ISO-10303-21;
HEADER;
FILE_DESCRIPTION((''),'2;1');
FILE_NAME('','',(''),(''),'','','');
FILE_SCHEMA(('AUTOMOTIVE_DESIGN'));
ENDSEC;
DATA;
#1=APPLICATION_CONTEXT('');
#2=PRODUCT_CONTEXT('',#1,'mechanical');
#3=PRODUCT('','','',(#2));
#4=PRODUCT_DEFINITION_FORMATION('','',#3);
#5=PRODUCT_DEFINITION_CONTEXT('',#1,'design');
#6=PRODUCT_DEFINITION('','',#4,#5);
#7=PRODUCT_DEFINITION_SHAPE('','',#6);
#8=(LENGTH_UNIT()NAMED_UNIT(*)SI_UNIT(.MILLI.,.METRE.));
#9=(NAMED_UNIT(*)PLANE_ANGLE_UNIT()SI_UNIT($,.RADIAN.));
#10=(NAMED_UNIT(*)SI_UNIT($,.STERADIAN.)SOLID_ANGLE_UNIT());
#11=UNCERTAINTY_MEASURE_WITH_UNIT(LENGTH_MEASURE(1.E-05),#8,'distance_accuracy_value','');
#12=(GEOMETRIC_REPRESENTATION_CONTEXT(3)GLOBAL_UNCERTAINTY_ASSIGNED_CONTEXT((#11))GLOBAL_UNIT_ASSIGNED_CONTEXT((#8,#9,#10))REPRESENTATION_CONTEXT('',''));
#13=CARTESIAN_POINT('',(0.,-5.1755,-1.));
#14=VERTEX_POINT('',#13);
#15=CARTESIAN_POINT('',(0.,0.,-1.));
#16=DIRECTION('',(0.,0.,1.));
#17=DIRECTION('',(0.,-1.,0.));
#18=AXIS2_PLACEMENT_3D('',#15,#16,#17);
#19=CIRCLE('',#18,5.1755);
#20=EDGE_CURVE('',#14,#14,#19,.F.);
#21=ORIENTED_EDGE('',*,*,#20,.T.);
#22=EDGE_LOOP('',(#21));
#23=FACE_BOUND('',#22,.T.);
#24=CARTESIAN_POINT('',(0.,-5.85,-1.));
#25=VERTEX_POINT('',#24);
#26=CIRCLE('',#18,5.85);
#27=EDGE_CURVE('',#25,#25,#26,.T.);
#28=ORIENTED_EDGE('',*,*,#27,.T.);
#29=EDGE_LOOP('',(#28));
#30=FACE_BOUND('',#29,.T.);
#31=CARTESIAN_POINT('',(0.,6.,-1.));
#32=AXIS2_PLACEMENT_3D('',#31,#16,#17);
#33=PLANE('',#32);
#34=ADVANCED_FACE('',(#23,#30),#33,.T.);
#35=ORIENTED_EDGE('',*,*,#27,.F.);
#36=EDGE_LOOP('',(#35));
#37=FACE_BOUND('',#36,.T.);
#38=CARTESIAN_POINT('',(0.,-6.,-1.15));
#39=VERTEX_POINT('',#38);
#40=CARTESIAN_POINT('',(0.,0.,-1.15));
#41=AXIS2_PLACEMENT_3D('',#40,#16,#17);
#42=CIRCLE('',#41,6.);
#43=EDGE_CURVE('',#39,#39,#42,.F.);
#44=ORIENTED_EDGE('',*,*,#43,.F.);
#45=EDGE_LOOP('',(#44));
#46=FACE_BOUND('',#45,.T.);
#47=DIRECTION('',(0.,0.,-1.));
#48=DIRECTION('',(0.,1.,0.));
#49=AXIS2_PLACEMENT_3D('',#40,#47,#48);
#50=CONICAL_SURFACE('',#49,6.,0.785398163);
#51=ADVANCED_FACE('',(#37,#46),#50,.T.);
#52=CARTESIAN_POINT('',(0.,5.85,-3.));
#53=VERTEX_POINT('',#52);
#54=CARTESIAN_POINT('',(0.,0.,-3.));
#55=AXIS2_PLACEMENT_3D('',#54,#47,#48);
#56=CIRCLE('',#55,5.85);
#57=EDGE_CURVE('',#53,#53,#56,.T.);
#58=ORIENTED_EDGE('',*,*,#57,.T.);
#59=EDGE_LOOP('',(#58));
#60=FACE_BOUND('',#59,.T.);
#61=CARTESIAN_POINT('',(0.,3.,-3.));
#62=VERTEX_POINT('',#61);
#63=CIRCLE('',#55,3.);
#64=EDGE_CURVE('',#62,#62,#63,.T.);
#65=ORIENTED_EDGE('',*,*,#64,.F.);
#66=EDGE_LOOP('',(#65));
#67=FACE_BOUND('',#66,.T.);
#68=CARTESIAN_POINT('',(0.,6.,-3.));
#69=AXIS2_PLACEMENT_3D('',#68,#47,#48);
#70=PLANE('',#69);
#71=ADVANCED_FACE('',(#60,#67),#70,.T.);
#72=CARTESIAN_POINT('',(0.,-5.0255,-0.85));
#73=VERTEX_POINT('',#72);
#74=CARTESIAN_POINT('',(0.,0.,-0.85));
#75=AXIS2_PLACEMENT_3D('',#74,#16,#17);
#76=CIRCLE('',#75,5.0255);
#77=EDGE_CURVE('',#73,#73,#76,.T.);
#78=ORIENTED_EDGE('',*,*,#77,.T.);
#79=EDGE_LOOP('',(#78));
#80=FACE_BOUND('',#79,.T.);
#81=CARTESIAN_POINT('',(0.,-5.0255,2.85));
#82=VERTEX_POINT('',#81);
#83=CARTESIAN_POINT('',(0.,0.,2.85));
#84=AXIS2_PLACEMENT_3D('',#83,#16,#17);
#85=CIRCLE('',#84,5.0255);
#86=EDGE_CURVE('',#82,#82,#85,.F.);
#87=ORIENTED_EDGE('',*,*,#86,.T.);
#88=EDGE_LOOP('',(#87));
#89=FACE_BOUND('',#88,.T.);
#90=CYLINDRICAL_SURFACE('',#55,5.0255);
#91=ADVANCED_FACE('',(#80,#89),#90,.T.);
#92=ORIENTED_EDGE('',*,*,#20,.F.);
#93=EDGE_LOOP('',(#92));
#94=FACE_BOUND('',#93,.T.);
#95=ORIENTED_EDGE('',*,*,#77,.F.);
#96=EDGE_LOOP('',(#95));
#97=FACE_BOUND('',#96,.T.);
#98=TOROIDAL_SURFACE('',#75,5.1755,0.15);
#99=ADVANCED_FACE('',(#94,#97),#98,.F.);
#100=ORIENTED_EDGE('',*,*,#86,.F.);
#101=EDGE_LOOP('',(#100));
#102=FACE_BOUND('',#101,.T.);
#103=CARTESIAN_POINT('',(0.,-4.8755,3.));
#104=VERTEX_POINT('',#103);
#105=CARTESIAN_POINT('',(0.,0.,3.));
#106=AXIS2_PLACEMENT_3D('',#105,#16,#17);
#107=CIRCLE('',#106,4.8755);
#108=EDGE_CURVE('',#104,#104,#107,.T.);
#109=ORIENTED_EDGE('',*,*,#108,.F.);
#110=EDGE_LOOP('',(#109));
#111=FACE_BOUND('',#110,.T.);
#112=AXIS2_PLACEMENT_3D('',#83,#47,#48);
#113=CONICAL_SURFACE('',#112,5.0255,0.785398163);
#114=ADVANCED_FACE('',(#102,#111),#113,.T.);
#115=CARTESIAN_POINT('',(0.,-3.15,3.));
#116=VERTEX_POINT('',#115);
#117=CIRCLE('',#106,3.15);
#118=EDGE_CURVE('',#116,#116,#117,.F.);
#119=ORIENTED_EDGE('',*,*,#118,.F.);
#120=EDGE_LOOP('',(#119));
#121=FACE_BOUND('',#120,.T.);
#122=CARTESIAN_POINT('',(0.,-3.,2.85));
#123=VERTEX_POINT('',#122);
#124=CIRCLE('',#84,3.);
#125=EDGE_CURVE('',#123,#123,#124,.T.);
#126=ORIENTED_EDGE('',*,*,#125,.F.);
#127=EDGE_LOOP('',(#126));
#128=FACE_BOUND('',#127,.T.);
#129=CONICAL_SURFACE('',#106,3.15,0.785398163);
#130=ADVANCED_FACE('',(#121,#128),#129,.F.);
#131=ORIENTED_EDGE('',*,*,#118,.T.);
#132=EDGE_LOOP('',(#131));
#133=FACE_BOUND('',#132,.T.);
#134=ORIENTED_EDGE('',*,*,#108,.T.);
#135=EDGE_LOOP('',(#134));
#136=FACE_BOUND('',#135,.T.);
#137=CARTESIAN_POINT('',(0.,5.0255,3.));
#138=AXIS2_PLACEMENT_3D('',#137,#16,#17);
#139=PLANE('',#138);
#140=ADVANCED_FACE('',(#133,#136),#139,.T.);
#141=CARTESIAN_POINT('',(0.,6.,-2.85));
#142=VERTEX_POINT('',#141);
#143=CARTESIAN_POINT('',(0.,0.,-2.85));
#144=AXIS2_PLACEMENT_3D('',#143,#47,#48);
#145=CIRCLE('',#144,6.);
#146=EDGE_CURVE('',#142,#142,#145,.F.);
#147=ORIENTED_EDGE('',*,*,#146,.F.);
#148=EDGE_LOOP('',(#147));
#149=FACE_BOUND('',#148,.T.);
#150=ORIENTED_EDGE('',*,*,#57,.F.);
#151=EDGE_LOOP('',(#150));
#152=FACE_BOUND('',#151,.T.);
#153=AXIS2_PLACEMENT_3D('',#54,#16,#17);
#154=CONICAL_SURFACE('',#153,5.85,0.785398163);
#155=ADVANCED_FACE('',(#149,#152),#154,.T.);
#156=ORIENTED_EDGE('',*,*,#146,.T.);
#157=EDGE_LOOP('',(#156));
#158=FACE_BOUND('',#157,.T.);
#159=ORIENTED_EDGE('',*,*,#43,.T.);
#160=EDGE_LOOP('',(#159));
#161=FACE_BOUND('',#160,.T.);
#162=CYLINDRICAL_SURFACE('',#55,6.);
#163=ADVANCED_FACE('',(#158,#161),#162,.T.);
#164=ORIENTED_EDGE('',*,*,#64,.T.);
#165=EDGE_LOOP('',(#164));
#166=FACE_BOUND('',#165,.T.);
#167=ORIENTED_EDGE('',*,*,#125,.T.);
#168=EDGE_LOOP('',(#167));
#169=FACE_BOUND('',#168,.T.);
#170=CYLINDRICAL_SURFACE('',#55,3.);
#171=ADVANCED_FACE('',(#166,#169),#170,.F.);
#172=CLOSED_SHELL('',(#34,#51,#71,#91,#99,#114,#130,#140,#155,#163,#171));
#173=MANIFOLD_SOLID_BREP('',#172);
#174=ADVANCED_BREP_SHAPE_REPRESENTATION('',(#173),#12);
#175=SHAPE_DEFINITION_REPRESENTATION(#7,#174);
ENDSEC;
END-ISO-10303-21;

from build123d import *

# Parameters (mm, degrees)
CHAMFER1_SIZE = 0.15
FILLET1_R     = 0.15


with BuildPart() as part:
    # Sketch3 → Revolve1 (revolve)
    with BuildSketch(Plane(origin=(0, 0, 0), x_dir=(0, 0, -1), z_dir=(1, 0, 0))):
        Polygon((3, 6), (1, 6), (1, 5.0255), (-3, 5.0255), (-3, 3), (3, 3), align=None)
    revolve(axis=Axis((0, 0, -3), (0, 0, 1)))

    # Chamfer1
    chamfer1_edges = [part.edges().sort_by_distance(p)[0] for p in [
        (0, -3, 3),
        (0, -5.0255, 3),
        (0, -6, -1),
        (0, -6, -3),
    ]]
    chamfer(chamfer1_edges, length=CHAMFER1_SIZE)

    # Fillet1
    fillet1_edges = [part.edges().sort_by_distance(p)[0] for p in [
        (0, -5.0255, -1),
    ]]
    fillet(fillet1_edges, radius=FILLET1_R)


solid = part.part
